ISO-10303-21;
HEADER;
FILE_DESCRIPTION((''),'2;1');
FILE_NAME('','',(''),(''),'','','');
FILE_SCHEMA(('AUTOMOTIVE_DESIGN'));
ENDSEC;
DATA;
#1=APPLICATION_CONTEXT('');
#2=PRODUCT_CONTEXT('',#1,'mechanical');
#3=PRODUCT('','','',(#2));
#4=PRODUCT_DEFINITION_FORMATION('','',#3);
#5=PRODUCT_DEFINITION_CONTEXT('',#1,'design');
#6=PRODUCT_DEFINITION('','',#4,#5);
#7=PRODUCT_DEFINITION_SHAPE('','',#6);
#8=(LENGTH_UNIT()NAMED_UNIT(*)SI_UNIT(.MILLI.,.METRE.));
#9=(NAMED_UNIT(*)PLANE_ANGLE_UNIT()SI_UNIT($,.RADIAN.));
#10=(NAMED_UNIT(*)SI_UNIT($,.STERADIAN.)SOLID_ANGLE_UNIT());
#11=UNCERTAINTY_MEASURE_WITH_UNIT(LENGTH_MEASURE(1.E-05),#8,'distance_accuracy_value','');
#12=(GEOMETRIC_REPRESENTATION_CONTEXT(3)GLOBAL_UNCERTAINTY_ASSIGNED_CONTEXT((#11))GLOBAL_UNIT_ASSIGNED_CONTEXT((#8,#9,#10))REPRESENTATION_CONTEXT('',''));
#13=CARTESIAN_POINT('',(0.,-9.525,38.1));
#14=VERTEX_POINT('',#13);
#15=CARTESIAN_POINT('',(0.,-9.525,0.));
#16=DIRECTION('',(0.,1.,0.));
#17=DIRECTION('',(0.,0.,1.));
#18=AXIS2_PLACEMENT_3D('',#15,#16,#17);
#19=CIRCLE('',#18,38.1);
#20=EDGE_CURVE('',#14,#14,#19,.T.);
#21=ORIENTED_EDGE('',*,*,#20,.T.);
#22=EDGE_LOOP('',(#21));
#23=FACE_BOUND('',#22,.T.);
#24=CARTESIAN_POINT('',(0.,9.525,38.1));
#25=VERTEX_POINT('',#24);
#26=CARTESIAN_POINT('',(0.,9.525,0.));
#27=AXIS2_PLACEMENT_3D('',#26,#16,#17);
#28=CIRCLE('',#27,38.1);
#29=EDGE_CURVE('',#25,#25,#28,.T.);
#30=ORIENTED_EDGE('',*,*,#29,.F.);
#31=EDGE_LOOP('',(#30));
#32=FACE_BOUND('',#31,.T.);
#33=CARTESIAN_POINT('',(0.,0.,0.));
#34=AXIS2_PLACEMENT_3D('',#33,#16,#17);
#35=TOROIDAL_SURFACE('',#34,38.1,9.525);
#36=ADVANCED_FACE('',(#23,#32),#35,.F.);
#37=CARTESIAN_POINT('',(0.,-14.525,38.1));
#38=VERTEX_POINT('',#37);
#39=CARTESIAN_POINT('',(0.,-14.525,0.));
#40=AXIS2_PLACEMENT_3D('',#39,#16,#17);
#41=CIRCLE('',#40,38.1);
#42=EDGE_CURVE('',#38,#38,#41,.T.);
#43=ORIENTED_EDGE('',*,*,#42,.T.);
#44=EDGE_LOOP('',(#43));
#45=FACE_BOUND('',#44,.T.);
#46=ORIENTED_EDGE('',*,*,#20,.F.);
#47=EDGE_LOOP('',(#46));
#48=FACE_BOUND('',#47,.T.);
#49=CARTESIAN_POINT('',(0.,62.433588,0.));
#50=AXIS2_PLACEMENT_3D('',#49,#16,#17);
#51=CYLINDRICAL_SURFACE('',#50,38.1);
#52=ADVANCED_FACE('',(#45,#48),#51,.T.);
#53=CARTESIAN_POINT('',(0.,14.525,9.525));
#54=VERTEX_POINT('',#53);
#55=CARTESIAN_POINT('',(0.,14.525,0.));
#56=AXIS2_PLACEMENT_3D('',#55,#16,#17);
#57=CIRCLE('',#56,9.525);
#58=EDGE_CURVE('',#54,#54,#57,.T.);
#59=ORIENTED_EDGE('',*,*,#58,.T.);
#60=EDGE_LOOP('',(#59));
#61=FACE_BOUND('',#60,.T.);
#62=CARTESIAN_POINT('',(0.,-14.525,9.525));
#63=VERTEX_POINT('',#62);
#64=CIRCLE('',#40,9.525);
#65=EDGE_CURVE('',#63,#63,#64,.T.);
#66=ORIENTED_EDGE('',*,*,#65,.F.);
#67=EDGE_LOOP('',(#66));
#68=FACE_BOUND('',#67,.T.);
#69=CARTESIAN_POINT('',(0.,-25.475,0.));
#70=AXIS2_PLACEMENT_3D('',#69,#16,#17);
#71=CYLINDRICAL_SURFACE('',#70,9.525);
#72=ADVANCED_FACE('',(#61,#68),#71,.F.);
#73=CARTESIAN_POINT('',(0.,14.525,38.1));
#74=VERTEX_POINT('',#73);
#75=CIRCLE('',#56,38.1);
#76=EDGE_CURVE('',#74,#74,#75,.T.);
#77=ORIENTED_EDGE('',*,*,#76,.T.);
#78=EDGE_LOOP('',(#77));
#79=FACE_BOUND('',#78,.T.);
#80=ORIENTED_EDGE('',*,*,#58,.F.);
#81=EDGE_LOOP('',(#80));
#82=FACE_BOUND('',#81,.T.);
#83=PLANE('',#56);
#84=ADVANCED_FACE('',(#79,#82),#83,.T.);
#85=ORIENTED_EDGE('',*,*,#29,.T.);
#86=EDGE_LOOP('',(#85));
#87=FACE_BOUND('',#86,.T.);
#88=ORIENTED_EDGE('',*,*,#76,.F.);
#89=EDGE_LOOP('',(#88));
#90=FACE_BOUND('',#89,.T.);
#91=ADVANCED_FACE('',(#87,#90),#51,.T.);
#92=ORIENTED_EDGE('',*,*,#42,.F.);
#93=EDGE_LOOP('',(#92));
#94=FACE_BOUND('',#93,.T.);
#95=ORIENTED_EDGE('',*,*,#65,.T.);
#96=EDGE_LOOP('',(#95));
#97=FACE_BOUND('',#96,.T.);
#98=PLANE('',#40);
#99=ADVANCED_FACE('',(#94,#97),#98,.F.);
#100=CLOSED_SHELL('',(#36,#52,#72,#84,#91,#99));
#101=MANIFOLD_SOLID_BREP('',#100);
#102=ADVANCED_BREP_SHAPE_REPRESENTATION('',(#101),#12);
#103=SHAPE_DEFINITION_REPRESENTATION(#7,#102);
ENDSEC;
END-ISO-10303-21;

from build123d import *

# Parameters (mm, degrees)
CROQUIS2_R            = 9.525
CORTAR_EXTRUIR1_DEPTH = 40


with BuildPart() as part:
    # Croquis1 → Revolución1 (revolve)
    with BuildSketch(Plane.XY, mode=Mode.PRIVATE) as revoluci_n1_sk:
        with BuildLine():
            Line((0, 0), (0, 14.525))
            Line((0, 14.525), (-38.1, 14.525))
            Line((-38.1, 14.525), (-38.1, 9.525))
            ThreePointArc((-38.1, 9.525), (-31.364807909, 6.735192091), (-28.575, 0))
            Line((-28.575, 0), (0, 0))
        make_face()
        with BuildLine():
            Line((0, -14.525), (0, 0))
            Line((0, 0), (-28.575, 0))
            ThreePointArc((-28.575, 0), (-31.364807909, -6.735192091), (-38.1, -9.525))
            Line((-38.1, -9.525), (-38.1, -14.525))
            Line((-38.1, -14.525), (0, -14.525))
        make_face()
    revolve(revoluci_n1_sk.sketch.rotate(Axis((0, 62.433588071, 0), (0, -1, 0)), 270), axis=Axis((0, 62.433588071, 0), (0, -1, 0)))

    # Croquis2 → Cortar-Extruir1 (cut)
    with BuildSketch(Plane(origin=(0, 14.525, 0), x_dir=(1, 0, 0), z_dir=(0, 1, 0))):
        with Locations(Location((0, 0, 0), (0, 0, 270))):
            Circle(CROQUIS2_R)
    extrude(amount=-CORTAR_EXTRUIR1_DEPTH, mode=Mode.SUBTRACT)


solid = part.part
